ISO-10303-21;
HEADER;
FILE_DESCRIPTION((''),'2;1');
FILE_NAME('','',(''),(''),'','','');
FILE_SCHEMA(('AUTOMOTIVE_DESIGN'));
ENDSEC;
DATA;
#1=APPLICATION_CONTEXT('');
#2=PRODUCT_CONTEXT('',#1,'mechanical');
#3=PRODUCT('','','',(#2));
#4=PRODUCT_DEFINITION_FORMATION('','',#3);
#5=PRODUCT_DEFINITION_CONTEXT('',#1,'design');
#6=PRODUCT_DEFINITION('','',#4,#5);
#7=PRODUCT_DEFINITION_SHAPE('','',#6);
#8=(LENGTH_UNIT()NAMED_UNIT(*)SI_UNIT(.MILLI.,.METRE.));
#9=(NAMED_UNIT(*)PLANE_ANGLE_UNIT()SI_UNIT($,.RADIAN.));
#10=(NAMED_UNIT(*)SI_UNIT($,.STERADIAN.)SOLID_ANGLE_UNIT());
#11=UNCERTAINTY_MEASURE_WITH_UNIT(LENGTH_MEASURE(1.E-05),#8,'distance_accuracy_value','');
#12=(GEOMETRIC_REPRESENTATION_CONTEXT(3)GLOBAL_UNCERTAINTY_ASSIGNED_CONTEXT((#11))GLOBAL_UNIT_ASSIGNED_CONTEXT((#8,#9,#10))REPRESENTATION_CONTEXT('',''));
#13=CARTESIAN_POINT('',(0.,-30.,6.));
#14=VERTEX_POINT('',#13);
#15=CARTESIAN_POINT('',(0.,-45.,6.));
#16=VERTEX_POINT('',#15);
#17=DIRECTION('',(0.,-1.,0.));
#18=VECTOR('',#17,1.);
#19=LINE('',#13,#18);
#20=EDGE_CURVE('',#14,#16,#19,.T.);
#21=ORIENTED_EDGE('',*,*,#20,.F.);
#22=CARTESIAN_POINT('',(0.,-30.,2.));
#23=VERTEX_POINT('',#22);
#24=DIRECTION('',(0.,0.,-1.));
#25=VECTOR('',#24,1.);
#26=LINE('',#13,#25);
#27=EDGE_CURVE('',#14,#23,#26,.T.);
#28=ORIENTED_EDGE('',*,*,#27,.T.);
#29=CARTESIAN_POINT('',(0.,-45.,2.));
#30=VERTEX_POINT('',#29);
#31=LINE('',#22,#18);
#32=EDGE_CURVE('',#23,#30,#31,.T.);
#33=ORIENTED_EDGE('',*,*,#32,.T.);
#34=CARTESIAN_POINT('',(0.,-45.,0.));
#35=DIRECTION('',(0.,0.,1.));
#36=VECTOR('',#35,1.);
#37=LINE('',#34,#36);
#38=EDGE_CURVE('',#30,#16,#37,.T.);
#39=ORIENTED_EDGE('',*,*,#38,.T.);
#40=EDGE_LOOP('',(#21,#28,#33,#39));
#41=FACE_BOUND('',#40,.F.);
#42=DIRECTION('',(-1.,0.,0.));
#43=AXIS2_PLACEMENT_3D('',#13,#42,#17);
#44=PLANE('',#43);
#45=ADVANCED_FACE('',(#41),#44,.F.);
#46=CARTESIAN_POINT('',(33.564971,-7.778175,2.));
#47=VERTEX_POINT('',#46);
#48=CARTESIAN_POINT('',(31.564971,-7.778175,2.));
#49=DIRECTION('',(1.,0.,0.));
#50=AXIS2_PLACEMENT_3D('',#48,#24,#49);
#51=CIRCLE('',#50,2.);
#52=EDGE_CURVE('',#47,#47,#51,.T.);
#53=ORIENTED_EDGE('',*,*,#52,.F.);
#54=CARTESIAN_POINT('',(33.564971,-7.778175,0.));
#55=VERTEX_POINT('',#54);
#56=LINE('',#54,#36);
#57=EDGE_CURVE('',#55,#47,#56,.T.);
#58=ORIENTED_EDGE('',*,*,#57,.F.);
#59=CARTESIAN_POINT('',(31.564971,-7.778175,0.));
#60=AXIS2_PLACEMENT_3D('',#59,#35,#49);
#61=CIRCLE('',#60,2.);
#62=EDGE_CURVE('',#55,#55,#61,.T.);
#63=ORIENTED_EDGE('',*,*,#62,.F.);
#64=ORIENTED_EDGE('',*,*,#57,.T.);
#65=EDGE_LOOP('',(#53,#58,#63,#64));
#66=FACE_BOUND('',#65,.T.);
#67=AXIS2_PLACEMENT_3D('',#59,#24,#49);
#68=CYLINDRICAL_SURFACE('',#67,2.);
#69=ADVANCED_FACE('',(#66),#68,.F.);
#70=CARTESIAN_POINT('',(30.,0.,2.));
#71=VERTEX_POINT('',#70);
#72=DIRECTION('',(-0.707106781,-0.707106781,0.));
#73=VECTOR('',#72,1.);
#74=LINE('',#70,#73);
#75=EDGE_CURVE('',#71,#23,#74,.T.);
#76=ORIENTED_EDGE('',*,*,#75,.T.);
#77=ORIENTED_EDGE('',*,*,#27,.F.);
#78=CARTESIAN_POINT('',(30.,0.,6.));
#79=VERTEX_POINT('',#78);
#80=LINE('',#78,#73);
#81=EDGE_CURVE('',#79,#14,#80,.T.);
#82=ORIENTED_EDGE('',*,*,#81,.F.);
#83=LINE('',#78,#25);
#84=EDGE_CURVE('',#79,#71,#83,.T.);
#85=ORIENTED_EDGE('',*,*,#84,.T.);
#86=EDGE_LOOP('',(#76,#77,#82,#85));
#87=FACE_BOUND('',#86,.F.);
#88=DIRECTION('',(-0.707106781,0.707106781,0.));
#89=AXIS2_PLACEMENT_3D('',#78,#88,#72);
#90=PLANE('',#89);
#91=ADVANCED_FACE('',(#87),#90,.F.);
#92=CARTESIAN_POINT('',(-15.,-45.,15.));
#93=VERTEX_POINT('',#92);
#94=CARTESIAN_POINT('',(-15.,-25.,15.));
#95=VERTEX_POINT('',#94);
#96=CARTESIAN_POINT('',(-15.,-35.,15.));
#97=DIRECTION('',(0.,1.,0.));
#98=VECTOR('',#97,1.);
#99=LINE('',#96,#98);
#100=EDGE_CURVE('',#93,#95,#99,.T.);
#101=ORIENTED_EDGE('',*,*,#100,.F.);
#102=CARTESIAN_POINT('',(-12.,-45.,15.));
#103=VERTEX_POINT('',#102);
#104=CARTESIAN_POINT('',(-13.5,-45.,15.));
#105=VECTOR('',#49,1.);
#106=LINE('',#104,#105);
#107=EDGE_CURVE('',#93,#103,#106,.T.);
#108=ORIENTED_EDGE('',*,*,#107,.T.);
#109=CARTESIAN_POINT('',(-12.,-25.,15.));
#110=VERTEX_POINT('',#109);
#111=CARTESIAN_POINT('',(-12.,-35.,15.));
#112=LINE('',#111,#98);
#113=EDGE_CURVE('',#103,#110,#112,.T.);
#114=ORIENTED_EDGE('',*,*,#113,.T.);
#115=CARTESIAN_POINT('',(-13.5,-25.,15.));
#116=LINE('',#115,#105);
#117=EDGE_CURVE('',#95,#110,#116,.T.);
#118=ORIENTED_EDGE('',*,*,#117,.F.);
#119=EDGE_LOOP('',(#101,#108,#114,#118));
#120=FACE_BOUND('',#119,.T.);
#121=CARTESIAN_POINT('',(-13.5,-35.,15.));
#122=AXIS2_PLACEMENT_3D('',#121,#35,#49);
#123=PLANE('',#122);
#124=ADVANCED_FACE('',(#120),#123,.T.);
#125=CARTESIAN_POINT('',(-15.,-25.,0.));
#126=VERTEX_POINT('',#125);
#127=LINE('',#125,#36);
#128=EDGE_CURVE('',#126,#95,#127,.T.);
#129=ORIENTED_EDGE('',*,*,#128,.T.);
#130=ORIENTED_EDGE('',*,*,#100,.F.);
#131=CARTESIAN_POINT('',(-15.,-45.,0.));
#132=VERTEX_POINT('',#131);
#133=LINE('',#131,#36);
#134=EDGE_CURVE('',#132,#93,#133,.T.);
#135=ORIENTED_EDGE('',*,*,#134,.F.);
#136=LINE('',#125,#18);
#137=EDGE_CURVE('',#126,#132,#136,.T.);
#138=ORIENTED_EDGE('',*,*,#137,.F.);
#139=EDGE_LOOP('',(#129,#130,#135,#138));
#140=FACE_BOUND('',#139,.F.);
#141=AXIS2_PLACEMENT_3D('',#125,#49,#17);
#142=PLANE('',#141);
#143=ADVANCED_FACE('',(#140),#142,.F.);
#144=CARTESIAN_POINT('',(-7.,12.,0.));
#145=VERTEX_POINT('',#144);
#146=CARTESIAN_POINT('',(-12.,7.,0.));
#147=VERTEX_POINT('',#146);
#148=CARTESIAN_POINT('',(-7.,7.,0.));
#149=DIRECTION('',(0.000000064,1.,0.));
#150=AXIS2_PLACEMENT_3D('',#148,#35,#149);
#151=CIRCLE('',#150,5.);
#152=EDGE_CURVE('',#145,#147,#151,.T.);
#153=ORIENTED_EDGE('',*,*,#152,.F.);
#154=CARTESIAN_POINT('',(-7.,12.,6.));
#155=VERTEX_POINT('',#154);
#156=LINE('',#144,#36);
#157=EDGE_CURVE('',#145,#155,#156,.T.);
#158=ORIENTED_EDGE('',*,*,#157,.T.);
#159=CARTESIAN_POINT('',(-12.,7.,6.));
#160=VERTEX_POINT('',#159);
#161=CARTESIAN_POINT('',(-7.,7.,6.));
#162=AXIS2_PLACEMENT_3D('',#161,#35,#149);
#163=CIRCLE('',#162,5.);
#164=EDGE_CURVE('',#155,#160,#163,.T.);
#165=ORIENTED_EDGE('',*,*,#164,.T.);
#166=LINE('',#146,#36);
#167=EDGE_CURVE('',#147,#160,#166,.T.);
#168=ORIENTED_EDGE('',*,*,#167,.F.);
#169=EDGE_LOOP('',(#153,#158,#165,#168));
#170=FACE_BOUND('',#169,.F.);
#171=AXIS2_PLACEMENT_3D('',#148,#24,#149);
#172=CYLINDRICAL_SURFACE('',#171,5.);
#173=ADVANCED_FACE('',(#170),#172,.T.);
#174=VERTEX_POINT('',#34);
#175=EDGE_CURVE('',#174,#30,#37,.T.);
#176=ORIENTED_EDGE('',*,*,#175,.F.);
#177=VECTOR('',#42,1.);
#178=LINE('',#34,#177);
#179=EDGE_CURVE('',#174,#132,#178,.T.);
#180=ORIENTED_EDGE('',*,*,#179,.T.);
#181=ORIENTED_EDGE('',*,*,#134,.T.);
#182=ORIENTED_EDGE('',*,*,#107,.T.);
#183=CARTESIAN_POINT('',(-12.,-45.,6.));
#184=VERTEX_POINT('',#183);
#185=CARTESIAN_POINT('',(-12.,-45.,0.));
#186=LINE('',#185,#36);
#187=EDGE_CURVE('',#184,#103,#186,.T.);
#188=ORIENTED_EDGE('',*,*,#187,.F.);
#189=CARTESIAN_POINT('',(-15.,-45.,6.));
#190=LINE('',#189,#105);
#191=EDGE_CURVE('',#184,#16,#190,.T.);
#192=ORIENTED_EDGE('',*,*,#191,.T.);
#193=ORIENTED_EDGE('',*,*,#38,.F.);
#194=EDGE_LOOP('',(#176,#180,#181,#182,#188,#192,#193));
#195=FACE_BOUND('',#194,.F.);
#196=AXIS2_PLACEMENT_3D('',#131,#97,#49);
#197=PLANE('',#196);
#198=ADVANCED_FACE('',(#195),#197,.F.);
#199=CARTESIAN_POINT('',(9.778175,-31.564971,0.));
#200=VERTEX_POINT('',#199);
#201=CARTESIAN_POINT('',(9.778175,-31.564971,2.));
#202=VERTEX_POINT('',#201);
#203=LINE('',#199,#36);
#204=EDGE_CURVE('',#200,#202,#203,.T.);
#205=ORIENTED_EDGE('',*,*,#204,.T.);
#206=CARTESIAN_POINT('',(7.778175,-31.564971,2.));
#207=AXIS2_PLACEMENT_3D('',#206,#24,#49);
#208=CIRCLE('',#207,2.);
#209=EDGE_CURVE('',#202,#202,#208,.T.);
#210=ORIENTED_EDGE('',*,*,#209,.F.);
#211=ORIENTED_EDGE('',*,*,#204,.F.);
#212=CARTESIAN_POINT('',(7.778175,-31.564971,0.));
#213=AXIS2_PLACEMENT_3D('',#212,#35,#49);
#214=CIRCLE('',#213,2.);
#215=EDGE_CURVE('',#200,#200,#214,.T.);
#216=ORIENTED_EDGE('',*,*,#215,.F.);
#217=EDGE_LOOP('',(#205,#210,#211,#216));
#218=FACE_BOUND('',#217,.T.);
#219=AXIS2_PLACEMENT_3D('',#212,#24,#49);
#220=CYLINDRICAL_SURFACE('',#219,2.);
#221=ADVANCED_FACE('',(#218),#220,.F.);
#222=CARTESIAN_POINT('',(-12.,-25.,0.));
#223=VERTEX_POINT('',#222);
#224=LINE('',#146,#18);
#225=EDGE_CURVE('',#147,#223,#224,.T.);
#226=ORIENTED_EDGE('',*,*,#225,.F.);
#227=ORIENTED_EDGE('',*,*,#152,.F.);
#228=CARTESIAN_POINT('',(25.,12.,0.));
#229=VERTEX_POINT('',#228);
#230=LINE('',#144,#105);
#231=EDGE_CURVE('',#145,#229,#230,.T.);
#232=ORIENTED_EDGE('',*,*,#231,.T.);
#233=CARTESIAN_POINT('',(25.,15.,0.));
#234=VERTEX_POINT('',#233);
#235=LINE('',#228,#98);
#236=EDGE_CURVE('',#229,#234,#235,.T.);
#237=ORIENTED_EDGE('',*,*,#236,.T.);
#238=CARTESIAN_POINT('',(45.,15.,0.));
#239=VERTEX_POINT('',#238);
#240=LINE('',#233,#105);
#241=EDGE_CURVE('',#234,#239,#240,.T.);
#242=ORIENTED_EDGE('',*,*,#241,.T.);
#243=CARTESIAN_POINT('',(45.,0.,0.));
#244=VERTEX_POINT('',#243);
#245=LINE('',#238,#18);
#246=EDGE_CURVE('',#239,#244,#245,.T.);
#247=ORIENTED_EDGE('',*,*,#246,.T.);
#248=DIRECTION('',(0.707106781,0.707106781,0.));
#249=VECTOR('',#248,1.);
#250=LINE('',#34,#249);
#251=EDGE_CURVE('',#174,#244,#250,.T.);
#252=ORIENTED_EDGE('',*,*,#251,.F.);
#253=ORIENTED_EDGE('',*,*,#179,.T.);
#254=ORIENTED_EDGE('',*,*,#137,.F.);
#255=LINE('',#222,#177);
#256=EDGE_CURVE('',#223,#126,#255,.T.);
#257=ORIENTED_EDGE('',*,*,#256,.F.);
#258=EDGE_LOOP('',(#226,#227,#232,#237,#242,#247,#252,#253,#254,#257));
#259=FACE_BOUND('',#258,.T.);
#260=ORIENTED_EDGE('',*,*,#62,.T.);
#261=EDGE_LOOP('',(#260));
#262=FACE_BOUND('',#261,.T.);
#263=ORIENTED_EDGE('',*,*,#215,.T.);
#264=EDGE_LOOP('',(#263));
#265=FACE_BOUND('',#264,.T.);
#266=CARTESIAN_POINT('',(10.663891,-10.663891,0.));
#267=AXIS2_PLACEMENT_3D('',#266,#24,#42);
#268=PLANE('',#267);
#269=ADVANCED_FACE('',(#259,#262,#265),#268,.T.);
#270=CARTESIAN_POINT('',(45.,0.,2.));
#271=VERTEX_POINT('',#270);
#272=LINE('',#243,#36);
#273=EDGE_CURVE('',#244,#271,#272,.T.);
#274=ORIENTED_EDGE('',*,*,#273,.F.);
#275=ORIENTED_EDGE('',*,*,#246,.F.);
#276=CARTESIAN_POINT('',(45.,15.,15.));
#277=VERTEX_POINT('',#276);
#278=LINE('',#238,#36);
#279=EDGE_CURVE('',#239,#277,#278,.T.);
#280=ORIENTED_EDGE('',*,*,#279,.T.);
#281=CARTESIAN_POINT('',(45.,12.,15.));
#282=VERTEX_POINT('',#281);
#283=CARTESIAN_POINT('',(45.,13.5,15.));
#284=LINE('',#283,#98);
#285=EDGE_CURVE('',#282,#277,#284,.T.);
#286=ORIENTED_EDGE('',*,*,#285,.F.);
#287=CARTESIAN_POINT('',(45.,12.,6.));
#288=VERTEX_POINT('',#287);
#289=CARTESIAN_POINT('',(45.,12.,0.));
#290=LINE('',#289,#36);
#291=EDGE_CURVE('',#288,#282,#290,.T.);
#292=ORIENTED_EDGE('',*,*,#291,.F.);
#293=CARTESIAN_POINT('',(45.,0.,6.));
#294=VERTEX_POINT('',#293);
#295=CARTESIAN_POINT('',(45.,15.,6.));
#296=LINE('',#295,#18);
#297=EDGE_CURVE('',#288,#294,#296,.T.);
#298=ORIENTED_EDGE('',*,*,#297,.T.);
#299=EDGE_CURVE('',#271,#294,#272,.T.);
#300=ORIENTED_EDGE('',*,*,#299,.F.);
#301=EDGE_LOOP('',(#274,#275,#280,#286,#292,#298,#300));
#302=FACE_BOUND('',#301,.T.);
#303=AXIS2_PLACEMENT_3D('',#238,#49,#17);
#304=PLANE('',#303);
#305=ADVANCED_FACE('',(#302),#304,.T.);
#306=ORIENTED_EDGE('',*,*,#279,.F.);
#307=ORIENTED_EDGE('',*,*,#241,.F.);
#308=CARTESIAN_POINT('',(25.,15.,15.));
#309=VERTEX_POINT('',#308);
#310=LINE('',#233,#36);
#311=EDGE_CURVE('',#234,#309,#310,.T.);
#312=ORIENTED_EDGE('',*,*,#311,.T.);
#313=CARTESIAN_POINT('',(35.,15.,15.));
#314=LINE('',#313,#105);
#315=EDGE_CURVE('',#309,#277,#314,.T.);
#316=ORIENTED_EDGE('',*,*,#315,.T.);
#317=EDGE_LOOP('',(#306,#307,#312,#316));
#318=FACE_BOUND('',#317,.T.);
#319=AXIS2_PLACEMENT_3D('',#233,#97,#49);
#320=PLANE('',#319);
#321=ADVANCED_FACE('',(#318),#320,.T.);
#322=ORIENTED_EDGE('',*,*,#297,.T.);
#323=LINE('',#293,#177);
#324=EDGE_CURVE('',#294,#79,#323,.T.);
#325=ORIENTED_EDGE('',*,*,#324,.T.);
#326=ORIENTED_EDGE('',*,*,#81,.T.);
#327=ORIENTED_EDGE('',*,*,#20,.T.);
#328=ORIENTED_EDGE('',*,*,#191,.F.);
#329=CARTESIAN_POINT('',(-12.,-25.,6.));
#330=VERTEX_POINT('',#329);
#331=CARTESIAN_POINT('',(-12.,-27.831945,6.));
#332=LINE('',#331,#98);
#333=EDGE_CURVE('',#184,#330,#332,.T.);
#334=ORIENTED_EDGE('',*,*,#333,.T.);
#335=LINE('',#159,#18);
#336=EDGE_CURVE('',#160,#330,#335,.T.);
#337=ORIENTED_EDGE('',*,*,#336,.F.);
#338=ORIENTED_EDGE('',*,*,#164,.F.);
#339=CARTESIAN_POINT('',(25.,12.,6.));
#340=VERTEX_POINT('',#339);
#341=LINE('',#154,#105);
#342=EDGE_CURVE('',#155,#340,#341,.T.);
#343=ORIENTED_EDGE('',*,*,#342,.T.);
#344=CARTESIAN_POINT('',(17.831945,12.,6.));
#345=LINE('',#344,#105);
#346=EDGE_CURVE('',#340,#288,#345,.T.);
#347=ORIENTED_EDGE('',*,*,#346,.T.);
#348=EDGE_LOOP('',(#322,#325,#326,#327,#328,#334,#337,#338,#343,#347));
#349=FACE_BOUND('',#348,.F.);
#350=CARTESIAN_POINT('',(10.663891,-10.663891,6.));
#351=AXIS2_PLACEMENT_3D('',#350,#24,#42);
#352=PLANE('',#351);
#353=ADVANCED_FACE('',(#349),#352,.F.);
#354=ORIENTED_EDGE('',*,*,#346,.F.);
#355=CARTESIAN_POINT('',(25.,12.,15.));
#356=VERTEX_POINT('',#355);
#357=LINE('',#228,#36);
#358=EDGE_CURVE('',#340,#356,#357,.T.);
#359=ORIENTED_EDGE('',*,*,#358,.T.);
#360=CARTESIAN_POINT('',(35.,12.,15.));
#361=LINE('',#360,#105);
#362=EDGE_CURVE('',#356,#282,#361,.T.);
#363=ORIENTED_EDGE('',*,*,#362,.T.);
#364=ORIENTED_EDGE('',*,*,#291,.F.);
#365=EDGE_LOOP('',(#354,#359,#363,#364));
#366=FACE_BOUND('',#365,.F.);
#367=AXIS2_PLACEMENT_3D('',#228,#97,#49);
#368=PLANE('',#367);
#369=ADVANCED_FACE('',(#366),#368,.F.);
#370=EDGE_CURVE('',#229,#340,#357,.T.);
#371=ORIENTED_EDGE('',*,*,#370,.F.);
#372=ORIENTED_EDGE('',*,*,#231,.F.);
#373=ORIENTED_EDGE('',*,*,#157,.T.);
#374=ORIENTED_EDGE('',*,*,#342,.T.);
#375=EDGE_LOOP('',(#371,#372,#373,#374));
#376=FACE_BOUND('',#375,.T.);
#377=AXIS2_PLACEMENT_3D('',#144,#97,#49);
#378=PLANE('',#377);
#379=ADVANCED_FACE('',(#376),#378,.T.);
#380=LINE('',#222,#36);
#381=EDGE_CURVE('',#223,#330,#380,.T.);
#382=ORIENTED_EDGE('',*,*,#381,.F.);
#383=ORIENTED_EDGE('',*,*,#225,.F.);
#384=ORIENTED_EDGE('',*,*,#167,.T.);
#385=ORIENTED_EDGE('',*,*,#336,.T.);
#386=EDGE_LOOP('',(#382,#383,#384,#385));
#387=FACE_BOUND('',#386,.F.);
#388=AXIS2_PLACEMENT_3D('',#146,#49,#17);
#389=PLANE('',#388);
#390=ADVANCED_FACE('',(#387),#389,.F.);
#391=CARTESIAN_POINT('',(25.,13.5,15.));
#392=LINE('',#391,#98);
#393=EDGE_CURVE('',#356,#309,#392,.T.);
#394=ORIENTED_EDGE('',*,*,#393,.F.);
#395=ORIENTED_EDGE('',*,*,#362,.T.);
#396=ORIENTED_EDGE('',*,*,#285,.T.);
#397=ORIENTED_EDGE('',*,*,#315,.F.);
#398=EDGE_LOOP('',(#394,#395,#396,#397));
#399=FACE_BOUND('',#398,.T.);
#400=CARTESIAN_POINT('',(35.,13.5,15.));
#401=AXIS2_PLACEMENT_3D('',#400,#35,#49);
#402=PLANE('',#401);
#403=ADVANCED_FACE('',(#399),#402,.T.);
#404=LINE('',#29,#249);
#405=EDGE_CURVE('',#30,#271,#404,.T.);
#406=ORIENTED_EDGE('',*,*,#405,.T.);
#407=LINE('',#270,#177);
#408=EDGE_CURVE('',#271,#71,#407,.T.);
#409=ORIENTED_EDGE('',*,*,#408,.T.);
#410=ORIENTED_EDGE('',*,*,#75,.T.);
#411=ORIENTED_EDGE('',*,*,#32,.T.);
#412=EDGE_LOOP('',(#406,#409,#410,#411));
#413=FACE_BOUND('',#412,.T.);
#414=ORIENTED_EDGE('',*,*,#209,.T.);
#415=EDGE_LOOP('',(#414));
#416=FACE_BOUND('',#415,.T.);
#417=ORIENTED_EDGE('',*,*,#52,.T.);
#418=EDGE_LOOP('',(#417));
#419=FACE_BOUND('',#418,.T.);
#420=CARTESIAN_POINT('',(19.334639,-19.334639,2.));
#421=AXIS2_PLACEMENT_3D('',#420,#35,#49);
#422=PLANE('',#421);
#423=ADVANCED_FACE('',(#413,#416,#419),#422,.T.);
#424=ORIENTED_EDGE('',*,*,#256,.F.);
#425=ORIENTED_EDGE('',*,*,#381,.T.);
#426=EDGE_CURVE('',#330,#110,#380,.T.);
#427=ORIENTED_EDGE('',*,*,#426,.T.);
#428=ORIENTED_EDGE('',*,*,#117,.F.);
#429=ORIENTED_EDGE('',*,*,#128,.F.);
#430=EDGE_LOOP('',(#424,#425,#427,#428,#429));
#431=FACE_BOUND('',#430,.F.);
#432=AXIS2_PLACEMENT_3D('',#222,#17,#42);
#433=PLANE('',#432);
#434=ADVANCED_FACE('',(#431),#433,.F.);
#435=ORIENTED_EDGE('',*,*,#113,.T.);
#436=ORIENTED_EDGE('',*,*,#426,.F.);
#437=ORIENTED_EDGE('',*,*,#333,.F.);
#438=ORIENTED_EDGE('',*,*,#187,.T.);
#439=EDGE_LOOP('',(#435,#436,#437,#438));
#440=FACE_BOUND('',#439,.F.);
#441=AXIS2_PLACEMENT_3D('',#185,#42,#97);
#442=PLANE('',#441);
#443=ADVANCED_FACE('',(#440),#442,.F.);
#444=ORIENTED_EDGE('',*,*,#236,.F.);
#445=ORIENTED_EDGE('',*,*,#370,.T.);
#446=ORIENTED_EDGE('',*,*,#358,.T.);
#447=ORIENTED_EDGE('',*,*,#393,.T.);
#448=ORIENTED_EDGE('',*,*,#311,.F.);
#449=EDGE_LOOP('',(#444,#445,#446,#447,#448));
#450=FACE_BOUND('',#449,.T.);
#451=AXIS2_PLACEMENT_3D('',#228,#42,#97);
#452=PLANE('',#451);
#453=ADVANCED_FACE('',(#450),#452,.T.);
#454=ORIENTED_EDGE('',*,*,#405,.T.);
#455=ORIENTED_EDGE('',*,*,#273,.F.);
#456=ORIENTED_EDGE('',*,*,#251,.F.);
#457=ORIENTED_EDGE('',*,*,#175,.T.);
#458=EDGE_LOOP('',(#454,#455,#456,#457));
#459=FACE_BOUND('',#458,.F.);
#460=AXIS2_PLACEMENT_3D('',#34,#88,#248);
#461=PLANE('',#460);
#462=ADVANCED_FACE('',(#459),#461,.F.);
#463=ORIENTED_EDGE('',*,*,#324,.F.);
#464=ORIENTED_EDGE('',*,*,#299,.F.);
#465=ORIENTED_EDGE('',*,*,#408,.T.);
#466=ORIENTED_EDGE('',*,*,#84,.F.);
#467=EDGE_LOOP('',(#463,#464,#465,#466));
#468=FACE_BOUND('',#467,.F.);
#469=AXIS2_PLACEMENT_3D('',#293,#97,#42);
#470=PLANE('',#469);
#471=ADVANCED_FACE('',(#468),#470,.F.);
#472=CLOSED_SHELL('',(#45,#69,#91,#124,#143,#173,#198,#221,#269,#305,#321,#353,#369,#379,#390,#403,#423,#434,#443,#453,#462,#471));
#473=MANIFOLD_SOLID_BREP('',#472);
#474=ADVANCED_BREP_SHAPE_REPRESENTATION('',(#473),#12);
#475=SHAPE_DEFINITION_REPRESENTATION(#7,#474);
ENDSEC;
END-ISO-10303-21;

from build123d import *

# Parameters (mm, degrees)
SKETCH_R      = 2
PAD_DEPTH     = 6
SKETCH001_W   = 3
SKETCH001_H   = 20
SKETCH001_W_2 = 20
SKETCH001_H_2 = 3
PAD001_DEPTH  = 15
POCKET_DEPTH  = 4


with BuildPart() as part:
    # Sketch → Pad (new body)
    with BuildSketch(Plane.XY):
        with BuildLine():
            Line((-7, 12), (25, 12))
            Line((25, 12), (25, 15))
            Line((25, 15), (45, 15))
            Line((45, 15), (45, 0))
            Line((0, -45), (45, 0))
            Line((-15, -45), (0, -45))
            Line((-15, -25), (-15, -45))
            Line((-12, -25), (-15, -25))
            Line((-12, 7), (-12, -25))
            ThreePointArc((-7, 12), (-10.535534, 10.535534), (-12, 7))
        make_face()
        with Locations((31.564971, -7.778175)):
            Circle(SKETCH_R, mode=Mode.SUBTRACT)
        with Locations((7.778175, -31.564971)):
            Circle(SKETCH_R, mode=Mode.SUBTRACT)
    extrude(amount=PAD_DEPTH)

    # Sketch001 → Pad001 (join)
    with BuildSketch(Plane.XY):
        with Locations((-13.5, -35)):
            Rectangle(SKETCH001_W, SKETCH001_H)
        with Locations((35, 13.5)):
            Rectangle(SKETCH001_W_2, SKETCH001_H_2)
    extrude(amount=PAD001_DEPTH)

    # Sketch002 (on DatumPlane) → Pocket (cut)
    with BuildSketch(Plane.XY.offset(6)):
        Polygon((45, 0), (30, 0), (0, -30), (0, -45), align=None)
    extrude(amount=-POCKET_DEPTH, mode=Mode.SUBTRACT)


solid = part.part
